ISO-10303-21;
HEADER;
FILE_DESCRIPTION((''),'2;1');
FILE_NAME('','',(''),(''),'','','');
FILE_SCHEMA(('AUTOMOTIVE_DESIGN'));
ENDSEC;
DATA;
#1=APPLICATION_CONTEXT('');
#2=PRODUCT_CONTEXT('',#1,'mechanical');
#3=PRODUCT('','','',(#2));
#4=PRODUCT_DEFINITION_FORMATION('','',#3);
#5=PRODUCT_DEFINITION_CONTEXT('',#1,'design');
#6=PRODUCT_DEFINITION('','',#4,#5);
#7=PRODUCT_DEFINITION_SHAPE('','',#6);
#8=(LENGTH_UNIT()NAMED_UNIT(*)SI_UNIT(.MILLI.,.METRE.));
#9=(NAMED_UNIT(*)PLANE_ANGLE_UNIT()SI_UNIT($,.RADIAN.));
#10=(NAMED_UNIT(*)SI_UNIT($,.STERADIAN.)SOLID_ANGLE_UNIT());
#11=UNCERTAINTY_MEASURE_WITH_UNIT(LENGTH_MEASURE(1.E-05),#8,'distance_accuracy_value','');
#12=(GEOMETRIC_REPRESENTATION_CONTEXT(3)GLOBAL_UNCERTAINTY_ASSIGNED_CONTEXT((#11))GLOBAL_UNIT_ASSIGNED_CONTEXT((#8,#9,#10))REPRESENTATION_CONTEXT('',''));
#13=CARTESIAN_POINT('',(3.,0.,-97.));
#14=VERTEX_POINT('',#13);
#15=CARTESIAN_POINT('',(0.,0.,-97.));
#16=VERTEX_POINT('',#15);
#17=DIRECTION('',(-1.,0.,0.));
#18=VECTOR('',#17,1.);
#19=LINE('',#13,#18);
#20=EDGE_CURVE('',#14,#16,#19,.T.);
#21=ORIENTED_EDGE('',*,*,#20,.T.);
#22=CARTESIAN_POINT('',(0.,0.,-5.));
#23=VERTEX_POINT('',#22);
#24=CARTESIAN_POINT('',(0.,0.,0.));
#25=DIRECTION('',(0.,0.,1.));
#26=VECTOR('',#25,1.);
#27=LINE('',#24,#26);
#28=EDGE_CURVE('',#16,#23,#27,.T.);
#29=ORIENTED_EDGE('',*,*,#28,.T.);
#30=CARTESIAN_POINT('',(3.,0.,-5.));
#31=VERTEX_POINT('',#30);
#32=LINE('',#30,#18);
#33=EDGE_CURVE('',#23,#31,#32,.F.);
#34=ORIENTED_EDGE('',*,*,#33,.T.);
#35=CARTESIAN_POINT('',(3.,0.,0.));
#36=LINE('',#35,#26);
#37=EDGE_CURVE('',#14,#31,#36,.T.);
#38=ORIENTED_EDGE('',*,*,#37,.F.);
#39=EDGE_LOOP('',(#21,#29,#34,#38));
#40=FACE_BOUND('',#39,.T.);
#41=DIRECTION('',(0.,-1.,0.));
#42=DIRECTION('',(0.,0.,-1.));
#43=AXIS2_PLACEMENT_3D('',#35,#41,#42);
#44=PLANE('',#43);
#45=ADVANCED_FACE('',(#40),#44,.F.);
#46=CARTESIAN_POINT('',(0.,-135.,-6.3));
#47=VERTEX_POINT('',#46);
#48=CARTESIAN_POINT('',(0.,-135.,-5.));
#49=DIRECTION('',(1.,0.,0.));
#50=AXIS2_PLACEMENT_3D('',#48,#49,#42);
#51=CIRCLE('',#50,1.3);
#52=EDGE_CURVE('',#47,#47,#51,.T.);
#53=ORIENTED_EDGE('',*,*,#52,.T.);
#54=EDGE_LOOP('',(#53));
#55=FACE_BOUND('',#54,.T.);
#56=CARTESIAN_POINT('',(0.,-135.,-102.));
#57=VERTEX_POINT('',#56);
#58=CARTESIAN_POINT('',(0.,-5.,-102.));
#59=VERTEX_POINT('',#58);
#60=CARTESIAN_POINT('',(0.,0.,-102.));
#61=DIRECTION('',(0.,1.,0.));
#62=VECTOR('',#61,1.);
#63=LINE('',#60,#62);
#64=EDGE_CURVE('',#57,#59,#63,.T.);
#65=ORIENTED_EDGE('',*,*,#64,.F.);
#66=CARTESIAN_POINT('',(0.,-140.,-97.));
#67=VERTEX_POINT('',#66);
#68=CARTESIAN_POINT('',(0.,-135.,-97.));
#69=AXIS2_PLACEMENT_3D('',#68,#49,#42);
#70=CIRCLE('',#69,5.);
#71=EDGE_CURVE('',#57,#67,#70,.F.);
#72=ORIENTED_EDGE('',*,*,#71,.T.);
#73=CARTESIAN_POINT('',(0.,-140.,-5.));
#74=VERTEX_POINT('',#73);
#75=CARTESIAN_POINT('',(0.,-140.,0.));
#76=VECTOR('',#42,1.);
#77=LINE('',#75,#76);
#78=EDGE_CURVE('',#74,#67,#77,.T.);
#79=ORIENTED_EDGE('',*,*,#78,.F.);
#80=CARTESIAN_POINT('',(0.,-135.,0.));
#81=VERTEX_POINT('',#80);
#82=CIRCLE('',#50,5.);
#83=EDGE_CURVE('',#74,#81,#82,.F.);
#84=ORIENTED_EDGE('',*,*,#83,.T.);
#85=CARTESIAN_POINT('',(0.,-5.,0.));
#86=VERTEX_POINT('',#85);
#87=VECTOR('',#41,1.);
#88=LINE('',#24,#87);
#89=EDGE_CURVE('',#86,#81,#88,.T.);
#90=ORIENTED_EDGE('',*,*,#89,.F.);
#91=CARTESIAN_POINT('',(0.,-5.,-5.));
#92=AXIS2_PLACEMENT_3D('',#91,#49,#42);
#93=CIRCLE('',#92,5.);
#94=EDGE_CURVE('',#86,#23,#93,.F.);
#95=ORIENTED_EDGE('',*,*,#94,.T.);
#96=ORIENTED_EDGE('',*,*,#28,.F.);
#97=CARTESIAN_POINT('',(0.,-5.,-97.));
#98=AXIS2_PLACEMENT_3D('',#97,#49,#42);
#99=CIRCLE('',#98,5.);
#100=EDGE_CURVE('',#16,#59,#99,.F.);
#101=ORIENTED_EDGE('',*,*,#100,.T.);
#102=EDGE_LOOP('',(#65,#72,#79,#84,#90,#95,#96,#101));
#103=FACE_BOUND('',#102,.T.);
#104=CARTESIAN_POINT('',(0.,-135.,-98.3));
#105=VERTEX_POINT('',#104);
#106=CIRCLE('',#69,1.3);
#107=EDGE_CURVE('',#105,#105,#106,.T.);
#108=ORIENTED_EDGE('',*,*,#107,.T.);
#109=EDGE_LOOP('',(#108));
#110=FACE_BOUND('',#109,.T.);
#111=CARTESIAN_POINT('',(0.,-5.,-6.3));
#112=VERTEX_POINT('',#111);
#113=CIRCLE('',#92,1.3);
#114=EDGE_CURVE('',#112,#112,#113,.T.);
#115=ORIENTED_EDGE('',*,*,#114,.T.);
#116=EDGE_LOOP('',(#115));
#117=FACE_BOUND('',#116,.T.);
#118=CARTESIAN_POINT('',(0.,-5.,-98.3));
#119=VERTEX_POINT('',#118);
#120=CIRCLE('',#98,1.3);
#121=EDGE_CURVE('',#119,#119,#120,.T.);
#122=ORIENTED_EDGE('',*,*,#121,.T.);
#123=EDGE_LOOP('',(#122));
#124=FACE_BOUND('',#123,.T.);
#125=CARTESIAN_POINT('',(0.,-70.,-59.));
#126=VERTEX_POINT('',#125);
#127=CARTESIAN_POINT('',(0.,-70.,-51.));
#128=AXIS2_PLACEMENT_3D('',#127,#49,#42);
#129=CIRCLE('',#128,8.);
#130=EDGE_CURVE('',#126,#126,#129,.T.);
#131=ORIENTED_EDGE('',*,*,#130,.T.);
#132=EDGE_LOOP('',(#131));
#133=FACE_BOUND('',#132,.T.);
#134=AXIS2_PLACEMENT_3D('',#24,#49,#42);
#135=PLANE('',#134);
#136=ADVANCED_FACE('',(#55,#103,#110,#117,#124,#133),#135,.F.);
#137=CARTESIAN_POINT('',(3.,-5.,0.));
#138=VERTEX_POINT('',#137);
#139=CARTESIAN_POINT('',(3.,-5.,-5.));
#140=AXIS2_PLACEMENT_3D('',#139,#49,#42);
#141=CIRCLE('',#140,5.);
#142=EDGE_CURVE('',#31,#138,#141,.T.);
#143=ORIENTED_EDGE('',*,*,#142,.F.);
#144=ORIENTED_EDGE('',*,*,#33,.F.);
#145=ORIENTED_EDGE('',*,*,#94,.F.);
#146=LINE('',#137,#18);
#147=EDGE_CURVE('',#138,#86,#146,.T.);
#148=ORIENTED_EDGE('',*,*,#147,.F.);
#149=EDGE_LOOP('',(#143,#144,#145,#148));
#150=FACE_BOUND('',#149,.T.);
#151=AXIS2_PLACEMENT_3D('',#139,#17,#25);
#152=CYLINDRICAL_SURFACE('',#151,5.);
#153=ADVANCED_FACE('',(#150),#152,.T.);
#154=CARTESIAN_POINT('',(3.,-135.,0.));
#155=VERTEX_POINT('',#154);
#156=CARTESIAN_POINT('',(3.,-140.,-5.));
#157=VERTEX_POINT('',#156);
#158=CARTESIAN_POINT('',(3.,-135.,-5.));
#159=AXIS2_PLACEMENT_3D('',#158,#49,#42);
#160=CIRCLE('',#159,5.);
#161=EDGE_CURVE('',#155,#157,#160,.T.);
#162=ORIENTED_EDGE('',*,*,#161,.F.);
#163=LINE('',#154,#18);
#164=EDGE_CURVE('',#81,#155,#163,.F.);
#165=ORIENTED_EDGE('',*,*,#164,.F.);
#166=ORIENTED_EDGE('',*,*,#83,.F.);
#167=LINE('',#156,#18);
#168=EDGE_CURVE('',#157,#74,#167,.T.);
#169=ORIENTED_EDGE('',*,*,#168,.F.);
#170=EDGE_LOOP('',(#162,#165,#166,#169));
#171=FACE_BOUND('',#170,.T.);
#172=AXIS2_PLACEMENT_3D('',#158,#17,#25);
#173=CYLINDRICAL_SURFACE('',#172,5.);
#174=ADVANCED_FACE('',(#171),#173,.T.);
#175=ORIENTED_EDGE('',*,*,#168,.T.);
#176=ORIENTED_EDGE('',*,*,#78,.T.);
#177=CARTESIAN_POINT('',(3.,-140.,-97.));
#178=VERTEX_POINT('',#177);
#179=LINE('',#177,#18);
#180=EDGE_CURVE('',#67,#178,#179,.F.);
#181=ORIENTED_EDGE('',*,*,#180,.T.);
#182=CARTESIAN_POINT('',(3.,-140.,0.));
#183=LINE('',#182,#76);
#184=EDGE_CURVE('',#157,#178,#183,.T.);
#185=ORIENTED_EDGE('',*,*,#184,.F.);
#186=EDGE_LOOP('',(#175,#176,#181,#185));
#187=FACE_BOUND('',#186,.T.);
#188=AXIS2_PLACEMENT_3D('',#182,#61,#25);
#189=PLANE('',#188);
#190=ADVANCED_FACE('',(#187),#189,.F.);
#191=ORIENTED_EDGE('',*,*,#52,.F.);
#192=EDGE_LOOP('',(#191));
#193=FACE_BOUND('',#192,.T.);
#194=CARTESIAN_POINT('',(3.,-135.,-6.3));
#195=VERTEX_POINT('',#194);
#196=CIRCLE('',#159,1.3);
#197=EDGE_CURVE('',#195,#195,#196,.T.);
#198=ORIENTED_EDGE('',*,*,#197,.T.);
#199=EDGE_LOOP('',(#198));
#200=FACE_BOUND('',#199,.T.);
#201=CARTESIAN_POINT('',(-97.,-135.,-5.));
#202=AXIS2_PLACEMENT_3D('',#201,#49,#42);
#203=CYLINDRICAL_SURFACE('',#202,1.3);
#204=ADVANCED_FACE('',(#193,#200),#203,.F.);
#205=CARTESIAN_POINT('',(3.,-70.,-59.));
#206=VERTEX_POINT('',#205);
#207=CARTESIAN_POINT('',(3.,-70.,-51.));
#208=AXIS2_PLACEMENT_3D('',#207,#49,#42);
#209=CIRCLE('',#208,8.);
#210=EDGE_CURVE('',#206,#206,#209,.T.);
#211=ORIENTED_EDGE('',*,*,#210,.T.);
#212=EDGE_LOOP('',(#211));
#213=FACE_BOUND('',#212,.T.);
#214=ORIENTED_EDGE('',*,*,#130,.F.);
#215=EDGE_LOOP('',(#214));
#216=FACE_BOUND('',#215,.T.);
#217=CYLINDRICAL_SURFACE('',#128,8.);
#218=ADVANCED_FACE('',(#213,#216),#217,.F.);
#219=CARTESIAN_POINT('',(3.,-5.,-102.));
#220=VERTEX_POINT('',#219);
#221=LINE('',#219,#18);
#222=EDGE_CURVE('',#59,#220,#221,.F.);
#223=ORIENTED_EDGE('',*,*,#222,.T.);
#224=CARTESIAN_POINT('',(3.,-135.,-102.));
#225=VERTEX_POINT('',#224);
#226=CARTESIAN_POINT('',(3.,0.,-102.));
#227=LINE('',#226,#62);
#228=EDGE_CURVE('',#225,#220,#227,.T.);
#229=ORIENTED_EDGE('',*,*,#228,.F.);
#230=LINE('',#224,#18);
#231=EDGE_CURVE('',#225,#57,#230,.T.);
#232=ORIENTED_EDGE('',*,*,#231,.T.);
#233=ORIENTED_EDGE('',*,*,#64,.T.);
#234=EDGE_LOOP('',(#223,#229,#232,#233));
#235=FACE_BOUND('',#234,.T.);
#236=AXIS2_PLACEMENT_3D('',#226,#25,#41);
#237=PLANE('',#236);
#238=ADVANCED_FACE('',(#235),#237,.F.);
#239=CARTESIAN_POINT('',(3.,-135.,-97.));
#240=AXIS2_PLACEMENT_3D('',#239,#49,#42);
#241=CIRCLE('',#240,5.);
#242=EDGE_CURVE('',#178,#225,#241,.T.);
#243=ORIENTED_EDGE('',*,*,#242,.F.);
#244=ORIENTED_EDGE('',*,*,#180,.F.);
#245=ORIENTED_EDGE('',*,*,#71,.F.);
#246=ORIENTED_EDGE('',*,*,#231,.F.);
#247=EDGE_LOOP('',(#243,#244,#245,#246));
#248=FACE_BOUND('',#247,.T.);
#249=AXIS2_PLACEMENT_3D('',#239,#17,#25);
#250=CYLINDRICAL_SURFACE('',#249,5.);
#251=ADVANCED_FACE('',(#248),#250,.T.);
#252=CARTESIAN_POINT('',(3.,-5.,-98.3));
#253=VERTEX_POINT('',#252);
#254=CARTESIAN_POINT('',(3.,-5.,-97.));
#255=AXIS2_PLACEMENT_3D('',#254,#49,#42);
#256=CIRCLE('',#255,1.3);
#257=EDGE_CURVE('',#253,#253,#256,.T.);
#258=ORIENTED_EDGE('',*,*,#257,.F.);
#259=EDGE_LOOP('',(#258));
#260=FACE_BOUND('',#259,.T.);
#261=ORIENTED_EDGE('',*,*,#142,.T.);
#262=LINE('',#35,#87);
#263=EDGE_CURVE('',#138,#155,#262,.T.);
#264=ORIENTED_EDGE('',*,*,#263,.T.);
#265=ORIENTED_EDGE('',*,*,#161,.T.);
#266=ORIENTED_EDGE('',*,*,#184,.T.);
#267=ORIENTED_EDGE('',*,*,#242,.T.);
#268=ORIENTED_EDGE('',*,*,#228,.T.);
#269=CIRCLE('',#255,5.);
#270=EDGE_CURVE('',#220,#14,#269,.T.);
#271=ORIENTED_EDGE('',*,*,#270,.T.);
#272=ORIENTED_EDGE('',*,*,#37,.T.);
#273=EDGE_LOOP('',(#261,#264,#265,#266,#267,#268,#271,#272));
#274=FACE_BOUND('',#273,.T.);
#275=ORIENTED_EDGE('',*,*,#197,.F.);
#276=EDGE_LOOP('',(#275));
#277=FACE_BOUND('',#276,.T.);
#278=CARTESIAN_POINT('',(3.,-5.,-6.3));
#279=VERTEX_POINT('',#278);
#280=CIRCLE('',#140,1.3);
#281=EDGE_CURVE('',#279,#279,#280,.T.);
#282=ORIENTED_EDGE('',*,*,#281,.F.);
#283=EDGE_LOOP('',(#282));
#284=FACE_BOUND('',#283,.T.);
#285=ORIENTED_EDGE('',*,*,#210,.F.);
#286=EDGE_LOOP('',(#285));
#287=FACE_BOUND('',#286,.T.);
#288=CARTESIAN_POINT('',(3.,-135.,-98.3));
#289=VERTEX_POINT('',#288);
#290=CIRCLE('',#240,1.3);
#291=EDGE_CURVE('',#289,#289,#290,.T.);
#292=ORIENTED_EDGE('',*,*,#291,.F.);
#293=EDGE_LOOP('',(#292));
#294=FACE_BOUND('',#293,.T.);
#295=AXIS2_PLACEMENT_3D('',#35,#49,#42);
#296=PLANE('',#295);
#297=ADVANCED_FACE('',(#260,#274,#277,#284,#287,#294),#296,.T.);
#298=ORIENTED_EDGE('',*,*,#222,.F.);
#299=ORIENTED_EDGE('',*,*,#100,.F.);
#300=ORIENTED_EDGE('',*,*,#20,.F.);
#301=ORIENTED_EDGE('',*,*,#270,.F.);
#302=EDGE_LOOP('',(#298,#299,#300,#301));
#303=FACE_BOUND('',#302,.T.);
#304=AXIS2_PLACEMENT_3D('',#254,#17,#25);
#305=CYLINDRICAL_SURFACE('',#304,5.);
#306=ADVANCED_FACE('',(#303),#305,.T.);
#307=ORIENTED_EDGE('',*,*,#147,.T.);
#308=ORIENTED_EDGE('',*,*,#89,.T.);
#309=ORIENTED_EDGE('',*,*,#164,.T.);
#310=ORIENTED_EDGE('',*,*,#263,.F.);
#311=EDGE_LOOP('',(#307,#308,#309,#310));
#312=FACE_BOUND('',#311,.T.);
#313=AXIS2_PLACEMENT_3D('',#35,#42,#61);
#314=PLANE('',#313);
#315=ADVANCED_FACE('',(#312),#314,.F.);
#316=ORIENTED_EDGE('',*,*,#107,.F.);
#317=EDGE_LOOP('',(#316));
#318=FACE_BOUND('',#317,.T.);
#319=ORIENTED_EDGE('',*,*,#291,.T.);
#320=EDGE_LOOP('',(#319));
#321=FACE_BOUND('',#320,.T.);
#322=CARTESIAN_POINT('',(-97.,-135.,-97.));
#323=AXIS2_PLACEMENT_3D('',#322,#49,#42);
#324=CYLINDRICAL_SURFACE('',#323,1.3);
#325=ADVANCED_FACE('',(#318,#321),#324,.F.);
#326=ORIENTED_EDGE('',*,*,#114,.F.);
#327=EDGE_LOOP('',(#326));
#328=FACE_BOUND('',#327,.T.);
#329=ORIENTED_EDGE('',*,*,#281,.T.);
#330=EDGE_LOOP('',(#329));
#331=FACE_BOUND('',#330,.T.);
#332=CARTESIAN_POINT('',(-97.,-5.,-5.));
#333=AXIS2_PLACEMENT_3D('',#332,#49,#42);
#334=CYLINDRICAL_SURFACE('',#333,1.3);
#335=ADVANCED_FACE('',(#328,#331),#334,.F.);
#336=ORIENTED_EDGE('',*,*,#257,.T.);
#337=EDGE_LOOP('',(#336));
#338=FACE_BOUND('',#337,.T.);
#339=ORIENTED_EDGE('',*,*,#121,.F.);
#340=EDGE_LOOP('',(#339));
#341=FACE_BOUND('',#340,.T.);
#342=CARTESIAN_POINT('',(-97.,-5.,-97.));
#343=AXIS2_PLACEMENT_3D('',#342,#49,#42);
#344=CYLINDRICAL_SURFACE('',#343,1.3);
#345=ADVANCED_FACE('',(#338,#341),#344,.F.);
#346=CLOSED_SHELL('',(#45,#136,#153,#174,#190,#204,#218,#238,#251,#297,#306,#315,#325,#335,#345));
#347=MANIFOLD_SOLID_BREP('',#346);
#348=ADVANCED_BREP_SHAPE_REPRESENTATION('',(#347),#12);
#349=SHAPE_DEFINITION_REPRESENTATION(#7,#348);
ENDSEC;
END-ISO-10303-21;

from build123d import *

# Parameters (mm, degrees)
SKETCH1_W           = 102
SKETCH1_H           = 140
BOSS_EXTRUDE1_DEPTH = 3
FILLET1_R           = 5
CUT_EXTRUDE1_DEPTH  = 3
SKETCH3_R           = 1.3
CUT_EXTRUDE2_DEPTH  = 100


with BuildPart() as part:
    # Sketch1 → Boss-Extrude1 (new body)
    with BuildSketch(Plane(origin=(0, 0, 0), x_dir=(0, 0, -1), z_dir=(1, 0, 0))):
        with Locations((51, -70)):
            Rectangle(SKETCH1_W, SKETCH1_H)
    extrude(amount=BOSS_EXTRUDE1_DEPTH)

    # Fillet1
    fillet1_edges = [part.edges().sort_by_distance(p)[0] for p in [
        (1.5, 0, 0),
        (1.5, 0, -102),
        (1.5, -140, -102),
        (1.5, -140, 0),
    ]]
    fillet(fillet1_edges, radius=FILLET1_R)

    # Sketch2 → Cut-Extrude1 (cut)
    with BuildSketch(Plane(origin=(3, 0, 0), x_dir=(0, 0, -1), z_dir=(1, 0, 0))):
        with BuildLine():
            ThreePointArc((46.313735132, -76.483742869), (51, -78), (55.686264868, -76.483742869))
            Line((55.686264868, -76.483742869), (51, -70))
            Line((51, -70), (46.313735132, -76.483742869))
        make_face()
        with BuildLine():
            Line((51, -70), (55.686264868, -76.483742869))
            ThreePointArc((55.686264868, -76.483742869), (58.123556659, -73.640733515), (59, -70))
            ThreePointArc((59, -70), (58.123556659, -66.359266485), (55.686264868, -63.516257131))
            Line((55.686264868, -63.516257131), (51, -70))
        make_face()
        with BuildLine():
            Line((46.313735132, -76.483742869), (51, -70))
            Line((51, -70), (46.313735132, -63.516257131))
            ThreePointArc((46.313735132, -63.516257131), (43, -70), (46.313735132, -76.483742869))
        make_face()
        with BuildLine():
            Line((46.313735132, -63.516257131), (51, -70))
            Line((51, -70), (55.686264868, -63.516257131))
            ThreePointArc((55.686264868, -63.516257131), (51, -62), (46.313735132, -63.516257131))
        make_face()
    extrude(amount=-CUT_EXTRUDE1_DEPTH, mode=Mode.SUBTRACT)

    # Sketch3 → Cut-Extrude2 (cut)
    with BuildSketch(Plane(origin=(3, 0, 0), x_dir=(0, 0, -1), z_dir=(1, 0, 0))):
        with Locations((5, -135)):
            Circle(SKETCH3_R)
        with Locations((5, -5)):
            Circle(SKETCH3_R)
        with Locations((97, -5)):
            Circle(SKETCH3_R)
        with Locations((97, -135)):
            Circle(SKETCH3_R)
    extrude(amount=-CUT_EXTRUDE2_DEPTH, mode=Mode.SUBTRACT)


solid = part.part
